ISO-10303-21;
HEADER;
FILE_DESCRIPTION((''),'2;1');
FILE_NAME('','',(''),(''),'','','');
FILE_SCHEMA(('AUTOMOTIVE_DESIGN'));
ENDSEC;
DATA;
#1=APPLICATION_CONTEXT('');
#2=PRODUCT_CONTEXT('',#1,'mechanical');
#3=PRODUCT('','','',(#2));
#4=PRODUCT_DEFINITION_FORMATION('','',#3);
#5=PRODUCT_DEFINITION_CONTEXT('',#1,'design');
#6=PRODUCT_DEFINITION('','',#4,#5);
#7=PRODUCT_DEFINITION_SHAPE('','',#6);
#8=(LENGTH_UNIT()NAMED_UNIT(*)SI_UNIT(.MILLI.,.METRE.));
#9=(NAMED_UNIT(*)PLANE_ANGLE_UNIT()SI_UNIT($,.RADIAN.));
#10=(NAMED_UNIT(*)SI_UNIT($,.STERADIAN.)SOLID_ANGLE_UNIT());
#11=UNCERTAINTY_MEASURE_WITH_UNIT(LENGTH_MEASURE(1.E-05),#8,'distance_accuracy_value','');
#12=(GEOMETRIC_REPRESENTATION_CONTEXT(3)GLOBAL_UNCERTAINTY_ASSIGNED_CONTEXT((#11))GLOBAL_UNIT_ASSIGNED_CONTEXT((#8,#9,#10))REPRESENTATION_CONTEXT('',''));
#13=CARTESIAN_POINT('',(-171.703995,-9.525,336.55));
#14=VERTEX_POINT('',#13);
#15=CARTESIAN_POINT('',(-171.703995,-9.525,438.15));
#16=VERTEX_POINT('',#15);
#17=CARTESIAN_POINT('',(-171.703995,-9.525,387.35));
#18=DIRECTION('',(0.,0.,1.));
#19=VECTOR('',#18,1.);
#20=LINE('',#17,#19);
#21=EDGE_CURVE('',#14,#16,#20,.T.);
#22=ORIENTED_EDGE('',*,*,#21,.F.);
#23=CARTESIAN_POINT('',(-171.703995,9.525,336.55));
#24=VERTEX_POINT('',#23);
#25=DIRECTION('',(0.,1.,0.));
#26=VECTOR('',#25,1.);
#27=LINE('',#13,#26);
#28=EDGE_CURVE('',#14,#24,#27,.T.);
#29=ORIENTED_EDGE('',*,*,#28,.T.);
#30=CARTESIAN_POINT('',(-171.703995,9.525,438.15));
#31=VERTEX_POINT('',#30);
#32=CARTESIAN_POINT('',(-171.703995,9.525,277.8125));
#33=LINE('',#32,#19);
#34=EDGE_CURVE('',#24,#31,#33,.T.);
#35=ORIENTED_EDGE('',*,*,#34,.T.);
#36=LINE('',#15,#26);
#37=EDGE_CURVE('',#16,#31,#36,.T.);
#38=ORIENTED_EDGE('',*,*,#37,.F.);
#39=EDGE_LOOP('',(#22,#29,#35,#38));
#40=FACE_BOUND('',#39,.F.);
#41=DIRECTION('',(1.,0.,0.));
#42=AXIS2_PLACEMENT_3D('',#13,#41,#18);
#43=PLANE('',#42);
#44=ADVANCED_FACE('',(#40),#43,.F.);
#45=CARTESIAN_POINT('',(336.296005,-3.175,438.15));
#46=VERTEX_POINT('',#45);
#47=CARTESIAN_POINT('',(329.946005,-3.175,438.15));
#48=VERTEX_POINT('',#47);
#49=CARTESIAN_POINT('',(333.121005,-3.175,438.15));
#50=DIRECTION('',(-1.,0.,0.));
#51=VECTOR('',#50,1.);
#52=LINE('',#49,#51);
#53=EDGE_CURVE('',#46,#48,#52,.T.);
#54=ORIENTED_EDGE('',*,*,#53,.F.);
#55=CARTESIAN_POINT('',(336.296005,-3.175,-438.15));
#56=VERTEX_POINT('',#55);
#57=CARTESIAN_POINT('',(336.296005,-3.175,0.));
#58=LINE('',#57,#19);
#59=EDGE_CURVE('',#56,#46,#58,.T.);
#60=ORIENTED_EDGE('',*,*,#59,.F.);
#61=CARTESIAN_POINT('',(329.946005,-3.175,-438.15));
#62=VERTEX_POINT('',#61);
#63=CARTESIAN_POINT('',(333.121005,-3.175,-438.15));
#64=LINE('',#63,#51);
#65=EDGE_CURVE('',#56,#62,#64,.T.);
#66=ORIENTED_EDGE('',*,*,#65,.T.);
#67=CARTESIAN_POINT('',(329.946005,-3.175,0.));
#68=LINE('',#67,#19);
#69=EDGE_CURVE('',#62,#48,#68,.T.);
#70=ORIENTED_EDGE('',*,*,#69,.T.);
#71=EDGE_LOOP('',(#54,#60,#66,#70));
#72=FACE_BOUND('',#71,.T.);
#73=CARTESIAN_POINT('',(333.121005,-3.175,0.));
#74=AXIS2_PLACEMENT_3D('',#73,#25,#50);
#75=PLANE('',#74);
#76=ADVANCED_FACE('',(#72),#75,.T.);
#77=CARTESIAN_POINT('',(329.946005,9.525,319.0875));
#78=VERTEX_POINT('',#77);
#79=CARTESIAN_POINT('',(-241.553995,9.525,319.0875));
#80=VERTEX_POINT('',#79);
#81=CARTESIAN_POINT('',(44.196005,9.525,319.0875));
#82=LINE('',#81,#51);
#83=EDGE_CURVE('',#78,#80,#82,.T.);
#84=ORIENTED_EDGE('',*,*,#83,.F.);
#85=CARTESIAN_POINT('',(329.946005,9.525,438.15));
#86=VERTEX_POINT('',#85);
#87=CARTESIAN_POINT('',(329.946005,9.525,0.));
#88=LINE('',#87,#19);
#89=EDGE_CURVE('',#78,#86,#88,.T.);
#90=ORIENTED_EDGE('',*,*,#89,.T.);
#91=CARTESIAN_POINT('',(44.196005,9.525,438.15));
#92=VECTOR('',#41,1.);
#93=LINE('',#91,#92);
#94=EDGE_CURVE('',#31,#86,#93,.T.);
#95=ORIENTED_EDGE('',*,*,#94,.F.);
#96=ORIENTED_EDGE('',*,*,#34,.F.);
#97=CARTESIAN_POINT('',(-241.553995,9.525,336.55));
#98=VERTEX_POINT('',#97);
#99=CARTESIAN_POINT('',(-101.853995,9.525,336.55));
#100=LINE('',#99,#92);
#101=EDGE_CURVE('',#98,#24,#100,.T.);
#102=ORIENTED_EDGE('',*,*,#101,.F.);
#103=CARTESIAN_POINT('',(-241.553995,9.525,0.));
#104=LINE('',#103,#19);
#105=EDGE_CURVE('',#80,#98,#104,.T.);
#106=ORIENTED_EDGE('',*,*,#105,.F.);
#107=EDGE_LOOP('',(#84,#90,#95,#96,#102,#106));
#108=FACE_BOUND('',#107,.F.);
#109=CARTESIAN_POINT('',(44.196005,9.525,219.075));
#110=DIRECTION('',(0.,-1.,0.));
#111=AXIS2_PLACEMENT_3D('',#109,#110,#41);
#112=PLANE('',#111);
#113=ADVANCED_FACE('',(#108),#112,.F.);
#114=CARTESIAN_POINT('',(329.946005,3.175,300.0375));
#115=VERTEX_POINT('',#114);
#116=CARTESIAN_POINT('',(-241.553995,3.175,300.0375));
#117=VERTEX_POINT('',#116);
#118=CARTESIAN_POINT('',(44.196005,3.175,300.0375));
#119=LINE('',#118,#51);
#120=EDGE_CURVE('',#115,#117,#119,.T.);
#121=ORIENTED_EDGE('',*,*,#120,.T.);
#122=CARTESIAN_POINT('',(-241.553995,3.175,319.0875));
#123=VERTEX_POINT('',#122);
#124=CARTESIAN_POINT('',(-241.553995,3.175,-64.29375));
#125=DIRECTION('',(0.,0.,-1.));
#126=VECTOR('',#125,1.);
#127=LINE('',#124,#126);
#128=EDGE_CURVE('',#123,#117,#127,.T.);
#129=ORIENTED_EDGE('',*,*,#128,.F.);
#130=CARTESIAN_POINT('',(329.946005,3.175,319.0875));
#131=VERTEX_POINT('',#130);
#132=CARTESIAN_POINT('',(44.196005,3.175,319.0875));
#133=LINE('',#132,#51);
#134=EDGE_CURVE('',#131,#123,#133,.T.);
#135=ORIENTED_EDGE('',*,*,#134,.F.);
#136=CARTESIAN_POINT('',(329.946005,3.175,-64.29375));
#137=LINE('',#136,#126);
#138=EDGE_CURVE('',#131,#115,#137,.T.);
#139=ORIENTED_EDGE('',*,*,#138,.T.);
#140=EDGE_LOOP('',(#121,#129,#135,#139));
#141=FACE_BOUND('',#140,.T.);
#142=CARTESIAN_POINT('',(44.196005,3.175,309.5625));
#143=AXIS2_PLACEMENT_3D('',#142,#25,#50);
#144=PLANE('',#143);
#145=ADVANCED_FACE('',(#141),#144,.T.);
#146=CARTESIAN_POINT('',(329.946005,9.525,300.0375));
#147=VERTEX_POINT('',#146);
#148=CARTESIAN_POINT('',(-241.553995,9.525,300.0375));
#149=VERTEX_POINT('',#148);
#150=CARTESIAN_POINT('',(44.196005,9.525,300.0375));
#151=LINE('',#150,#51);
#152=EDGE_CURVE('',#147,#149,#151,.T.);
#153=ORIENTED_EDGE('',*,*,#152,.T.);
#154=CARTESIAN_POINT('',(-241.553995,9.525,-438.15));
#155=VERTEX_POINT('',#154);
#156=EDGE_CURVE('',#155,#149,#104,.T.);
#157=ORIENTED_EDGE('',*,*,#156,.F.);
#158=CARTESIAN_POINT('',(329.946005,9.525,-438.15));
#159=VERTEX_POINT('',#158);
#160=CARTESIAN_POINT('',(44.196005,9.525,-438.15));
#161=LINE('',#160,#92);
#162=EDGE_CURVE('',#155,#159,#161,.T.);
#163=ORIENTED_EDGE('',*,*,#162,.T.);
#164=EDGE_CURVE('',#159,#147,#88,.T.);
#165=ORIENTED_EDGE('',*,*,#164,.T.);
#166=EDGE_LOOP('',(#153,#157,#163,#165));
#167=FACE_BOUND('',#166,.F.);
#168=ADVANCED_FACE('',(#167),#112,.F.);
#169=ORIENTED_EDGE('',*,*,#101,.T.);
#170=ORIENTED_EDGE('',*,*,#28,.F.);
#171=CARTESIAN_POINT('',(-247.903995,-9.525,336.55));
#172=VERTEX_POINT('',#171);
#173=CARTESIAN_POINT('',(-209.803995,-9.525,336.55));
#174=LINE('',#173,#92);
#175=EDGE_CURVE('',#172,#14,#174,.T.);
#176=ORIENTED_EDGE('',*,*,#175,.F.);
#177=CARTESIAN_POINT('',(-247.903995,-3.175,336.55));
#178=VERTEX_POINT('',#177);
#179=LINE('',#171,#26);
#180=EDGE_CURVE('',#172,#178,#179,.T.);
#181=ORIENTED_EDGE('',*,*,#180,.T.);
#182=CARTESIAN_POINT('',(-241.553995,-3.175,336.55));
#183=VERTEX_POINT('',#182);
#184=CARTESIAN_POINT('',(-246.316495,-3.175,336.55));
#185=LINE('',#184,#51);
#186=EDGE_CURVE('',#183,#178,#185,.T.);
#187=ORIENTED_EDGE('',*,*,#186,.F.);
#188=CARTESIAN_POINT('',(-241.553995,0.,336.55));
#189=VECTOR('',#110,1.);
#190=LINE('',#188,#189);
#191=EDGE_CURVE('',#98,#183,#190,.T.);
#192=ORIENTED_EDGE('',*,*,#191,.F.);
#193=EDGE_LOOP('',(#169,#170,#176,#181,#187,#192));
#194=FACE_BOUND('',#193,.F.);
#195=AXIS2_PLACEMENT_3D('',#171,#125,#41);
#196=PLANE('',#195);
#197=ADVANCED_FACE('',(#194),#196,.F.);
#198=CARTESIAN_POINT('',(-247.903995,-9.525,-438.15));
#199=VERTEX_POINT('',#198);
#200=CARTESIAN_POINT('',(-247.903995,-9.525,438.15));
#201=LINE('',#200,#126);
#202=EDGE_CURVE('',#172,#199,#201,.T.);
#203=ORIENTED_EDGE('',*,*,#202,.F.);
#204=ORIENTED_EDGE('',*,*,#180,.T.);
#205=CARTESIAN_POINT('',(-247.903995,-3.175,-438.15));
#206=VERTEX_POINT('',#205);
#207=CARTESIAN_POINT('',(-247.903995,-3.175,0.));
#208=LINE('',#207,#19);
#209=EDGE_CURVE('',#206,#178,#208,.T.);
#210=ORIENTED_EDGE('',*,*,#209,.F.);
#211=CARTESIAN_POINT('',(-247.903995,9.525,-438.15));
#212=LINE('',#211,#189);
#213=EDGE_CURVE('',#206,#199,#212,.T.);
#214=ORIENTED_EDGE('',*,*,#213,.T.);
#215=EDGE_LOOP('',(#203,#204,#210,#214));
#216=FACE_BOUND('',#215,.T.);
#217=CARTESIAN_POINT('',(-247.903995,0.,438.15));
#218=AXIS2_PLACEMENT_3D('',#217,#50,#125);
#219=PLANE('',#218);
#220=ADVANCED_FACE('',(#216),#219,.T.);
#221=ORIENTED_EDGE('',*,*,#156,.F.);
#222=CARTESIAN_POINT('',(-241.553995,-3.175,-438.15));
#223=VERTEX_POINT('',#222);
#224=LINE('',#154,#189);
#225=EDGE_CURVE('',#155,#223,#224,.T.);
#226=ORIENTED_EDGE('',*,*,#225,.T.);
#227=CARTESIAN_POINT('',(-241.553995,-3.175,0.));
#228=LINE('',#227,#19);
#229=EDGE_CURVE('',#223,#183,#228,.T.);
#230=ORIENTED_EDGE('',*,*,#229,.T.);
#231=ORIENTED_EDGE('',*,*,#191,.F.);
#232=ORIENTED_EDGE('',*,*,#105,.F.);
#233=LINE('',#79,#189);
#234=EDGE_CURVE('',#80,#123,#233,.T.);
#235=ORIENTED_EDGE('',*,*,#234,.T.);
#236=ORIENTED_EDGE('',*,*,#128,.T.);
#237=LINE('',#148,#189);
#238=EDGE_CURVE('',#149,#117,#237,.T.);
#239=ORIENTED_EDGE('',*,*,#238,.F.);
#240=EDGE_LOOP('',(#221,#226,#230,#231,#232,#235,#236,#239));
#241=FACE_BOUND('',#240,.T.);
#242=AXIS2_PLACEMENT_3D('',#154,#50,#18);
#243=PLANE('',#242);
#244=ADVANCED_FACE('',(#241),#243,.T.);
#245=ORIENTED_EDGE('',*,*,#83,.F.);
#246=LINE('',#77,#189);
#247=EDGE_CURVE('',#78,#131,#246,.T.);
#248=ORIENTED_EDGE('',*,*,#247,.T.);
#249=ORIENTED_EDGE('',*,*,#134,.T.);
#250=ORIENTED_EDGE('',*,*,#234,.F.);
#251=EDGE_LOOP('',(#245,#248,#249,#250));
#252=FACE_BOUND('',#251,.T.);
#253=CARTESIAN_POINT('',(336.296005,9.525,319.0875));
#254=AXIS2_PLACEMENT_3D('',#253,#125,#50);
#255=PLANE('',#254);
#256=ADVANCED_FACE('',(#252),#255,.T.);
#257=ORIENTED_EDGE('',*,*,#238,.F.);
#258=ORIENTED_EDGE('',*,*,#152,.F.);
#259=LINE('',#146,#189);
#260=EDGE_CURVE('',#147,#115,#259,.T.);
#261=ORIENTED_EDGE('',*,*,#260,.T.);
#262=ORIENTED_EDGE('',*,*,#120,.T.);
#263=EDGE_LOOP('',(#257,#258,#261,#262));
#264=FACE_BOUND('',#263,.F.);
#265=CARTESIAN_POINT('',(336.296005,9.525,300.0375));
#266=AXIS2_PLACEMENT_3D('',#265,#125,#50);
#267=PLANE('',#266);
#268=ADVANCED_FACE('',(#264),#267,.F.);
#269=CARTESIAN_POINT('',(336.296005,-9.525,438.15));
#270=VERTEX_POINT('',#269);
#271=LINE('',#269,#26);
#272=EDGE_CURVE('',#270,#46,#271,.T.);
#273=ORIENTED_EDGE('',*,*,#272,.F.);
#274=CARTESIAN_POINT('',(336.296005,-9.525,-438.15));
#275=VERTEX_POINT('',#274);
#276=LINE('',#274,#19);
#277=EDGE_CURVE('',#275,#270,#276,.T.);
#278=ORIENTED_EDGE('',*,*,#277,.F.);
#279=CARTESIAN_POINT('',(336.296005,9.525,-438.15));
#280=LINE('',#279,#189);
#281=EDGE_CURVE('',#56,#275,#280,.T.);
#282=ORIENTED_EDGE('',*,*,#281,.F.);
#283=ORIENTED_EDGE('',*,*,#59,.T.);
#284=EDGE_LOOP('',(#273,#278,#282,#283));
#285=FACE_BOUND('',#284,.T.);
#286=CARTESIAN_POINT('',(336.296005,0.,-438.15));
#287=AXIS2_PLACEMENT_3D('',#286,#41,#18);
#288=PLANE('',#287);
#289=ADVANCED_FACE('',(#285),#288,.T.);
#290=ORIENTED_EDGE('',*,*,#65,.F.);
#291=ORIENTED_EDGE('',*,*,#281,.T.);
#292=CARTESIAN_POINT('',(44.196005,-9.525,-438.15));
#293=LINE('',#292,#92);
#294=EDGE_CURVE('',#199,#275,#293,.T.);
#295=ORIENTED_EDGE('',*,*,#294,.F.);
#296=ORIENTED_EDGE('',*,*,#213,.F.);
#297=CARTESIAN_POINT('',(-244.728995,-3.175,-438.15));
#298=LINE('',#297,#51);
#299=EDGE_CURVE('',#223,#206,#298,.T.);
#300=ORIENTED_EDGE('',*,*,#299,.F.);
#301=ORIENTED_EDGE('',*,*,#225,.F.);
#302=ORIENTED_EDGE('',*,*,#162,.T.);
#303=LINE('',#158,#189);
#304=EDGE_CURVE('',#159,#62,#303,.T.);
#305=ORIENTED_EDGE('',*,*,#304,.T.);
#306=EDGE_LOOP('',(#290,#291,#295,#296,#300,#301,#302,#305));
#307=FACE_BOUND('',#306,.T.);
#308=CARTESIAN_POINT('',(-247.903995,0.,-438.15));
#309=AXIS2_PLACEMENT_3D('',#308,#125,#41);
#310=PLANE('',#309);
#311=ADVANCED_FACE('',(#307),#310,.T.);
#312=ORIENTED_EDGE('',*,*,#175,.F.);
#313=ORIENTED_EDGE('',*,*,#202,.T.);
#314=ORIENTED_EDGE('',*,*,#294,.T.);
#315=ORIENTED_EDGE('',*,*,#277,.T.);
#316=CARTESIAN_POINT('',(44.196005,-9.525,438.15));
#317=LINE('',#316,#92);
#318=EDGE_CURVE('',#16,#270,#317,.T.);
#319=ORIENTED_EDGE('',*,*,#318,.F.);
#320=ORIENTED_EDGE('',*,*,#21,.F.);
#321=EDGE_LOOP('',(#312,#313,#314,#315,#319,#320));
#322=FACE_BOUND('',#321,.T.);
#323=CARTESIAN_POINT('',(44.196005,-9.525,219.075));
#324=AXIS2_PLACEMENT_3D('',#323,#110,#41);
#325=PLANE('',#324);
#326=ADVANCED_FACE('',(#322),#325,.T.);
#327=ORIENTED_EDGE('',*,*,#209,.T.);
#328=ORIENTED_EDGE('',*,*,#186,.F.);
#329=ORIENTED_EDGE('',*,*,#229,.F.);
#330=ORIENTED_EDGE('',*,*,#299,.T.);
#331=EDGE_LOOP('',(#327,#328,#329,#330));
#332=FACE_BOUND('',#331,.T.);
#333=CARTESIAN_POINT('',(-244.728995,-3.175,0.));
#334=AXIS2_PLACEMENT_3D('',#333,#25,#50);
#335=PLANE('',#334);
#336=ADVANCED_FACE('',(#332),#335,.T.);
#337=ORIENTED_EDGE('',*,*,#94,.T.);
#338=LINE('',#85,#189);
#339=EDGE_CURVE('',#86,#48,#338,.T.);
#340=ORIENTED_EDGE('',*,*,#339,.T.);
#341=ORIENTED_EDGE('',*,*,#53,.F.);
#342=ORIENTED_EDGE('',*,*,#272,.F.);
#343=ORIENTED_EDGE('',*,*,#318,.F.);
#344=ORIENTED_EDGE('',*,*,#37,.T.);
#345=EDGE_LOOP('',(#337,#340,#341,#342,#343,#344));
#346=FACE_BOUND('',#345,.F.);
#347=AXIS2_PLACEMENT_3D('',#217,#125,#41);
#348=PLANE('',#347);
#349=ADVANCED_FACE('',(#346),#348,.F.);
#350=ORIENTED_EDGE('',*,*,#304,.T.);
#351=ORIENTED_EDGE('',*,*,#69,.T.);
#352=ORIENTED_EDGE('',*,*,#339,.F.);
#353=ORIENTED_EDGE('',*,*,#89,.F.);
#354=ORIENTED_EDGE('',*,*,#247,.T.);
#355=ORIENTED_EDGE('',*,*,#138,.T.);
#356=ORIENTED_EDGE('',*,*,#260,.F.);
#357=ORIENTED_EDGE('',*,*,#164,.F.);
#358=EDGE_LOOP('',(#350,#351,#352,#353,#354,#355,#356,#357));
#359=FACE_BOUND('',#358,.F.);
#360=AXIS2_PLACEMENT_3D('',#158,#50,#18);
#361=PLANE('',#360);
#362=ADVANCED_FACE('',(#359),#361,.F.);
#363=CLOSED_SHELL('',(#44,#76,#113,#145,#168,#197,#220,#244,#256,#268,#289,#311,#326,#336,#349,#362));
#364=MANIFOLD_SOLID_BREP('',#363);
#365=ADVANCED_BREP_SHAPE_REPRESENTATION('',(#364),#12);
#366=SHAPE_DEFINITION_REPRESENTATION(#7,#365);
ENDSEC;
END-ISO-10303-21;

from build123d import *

# Parameters (mm, degrees)
F0_W     = 584.2
F0_H     = 438.15
F1_DEPTH = 9.525
F2_W     = 6.35
F2_H     = 876.3
F3_DEPTH = 12.7
F4_W     = 584.2
F4_H     = 19.05
F5_DEPTH = 6.35
F6_W     = 76.2
F6_H     = 101.6
F7_DEPTH = 19.051


with BuildPart() as f1:
    # F0 (on Front) → F1 (new body, symmetric)
    with BuildSketch(Plane.XZ):
        with Locations((44.1960046741, 219.075)):
            Rectangle(F0_W, F0_H)
        with Locations((44.1960046741, -219.075)):
            Rectangle(F0_W, F0_H)
    extrude(amount=F1_DEPTH, both=True)

    # F2 (on face) → F3 (cut)
    with BuildSketch(Plane(origin=(0, 9.525, 0), x_dir=(-1, 0, 0), z_dir=(0, 1, 0))):
        with Locations((-333.1210046741, 0)):
            Rectangle(F2_W, F2_H)
        with Locations((244.7289953259, 0)):
            Rectangle(F2_W, F2_H)
    extrude(amount=-F3_DEPTH, mode=Mode.SUBTRACT)

    # F4 (on face) → F5 (cut)
    with BuildSketch(Plane(origin=(0, 9.525, 0), x_dir=(-1, 0, 0), z_dir=(0, 1, 0))):
        with Locations((-44.1960046741, 309.5625)):
            Rectangle(F4_W, F4_H)
    extrude(amount=-F5_DEPTH, mode=Mode.SUBTRACT)

    # F6 (on face) → F7 (cut, through all)
    with BuildSketch(Plane.XZ.offset(9.525)):
        with Locations((-209.8039953259, 387.35)):
            Rectangle(F6_W, F6_H)
    extrude(amount=-F7_DEPTH, mode=Mode.SUBTRACT)


solid = f1.part
